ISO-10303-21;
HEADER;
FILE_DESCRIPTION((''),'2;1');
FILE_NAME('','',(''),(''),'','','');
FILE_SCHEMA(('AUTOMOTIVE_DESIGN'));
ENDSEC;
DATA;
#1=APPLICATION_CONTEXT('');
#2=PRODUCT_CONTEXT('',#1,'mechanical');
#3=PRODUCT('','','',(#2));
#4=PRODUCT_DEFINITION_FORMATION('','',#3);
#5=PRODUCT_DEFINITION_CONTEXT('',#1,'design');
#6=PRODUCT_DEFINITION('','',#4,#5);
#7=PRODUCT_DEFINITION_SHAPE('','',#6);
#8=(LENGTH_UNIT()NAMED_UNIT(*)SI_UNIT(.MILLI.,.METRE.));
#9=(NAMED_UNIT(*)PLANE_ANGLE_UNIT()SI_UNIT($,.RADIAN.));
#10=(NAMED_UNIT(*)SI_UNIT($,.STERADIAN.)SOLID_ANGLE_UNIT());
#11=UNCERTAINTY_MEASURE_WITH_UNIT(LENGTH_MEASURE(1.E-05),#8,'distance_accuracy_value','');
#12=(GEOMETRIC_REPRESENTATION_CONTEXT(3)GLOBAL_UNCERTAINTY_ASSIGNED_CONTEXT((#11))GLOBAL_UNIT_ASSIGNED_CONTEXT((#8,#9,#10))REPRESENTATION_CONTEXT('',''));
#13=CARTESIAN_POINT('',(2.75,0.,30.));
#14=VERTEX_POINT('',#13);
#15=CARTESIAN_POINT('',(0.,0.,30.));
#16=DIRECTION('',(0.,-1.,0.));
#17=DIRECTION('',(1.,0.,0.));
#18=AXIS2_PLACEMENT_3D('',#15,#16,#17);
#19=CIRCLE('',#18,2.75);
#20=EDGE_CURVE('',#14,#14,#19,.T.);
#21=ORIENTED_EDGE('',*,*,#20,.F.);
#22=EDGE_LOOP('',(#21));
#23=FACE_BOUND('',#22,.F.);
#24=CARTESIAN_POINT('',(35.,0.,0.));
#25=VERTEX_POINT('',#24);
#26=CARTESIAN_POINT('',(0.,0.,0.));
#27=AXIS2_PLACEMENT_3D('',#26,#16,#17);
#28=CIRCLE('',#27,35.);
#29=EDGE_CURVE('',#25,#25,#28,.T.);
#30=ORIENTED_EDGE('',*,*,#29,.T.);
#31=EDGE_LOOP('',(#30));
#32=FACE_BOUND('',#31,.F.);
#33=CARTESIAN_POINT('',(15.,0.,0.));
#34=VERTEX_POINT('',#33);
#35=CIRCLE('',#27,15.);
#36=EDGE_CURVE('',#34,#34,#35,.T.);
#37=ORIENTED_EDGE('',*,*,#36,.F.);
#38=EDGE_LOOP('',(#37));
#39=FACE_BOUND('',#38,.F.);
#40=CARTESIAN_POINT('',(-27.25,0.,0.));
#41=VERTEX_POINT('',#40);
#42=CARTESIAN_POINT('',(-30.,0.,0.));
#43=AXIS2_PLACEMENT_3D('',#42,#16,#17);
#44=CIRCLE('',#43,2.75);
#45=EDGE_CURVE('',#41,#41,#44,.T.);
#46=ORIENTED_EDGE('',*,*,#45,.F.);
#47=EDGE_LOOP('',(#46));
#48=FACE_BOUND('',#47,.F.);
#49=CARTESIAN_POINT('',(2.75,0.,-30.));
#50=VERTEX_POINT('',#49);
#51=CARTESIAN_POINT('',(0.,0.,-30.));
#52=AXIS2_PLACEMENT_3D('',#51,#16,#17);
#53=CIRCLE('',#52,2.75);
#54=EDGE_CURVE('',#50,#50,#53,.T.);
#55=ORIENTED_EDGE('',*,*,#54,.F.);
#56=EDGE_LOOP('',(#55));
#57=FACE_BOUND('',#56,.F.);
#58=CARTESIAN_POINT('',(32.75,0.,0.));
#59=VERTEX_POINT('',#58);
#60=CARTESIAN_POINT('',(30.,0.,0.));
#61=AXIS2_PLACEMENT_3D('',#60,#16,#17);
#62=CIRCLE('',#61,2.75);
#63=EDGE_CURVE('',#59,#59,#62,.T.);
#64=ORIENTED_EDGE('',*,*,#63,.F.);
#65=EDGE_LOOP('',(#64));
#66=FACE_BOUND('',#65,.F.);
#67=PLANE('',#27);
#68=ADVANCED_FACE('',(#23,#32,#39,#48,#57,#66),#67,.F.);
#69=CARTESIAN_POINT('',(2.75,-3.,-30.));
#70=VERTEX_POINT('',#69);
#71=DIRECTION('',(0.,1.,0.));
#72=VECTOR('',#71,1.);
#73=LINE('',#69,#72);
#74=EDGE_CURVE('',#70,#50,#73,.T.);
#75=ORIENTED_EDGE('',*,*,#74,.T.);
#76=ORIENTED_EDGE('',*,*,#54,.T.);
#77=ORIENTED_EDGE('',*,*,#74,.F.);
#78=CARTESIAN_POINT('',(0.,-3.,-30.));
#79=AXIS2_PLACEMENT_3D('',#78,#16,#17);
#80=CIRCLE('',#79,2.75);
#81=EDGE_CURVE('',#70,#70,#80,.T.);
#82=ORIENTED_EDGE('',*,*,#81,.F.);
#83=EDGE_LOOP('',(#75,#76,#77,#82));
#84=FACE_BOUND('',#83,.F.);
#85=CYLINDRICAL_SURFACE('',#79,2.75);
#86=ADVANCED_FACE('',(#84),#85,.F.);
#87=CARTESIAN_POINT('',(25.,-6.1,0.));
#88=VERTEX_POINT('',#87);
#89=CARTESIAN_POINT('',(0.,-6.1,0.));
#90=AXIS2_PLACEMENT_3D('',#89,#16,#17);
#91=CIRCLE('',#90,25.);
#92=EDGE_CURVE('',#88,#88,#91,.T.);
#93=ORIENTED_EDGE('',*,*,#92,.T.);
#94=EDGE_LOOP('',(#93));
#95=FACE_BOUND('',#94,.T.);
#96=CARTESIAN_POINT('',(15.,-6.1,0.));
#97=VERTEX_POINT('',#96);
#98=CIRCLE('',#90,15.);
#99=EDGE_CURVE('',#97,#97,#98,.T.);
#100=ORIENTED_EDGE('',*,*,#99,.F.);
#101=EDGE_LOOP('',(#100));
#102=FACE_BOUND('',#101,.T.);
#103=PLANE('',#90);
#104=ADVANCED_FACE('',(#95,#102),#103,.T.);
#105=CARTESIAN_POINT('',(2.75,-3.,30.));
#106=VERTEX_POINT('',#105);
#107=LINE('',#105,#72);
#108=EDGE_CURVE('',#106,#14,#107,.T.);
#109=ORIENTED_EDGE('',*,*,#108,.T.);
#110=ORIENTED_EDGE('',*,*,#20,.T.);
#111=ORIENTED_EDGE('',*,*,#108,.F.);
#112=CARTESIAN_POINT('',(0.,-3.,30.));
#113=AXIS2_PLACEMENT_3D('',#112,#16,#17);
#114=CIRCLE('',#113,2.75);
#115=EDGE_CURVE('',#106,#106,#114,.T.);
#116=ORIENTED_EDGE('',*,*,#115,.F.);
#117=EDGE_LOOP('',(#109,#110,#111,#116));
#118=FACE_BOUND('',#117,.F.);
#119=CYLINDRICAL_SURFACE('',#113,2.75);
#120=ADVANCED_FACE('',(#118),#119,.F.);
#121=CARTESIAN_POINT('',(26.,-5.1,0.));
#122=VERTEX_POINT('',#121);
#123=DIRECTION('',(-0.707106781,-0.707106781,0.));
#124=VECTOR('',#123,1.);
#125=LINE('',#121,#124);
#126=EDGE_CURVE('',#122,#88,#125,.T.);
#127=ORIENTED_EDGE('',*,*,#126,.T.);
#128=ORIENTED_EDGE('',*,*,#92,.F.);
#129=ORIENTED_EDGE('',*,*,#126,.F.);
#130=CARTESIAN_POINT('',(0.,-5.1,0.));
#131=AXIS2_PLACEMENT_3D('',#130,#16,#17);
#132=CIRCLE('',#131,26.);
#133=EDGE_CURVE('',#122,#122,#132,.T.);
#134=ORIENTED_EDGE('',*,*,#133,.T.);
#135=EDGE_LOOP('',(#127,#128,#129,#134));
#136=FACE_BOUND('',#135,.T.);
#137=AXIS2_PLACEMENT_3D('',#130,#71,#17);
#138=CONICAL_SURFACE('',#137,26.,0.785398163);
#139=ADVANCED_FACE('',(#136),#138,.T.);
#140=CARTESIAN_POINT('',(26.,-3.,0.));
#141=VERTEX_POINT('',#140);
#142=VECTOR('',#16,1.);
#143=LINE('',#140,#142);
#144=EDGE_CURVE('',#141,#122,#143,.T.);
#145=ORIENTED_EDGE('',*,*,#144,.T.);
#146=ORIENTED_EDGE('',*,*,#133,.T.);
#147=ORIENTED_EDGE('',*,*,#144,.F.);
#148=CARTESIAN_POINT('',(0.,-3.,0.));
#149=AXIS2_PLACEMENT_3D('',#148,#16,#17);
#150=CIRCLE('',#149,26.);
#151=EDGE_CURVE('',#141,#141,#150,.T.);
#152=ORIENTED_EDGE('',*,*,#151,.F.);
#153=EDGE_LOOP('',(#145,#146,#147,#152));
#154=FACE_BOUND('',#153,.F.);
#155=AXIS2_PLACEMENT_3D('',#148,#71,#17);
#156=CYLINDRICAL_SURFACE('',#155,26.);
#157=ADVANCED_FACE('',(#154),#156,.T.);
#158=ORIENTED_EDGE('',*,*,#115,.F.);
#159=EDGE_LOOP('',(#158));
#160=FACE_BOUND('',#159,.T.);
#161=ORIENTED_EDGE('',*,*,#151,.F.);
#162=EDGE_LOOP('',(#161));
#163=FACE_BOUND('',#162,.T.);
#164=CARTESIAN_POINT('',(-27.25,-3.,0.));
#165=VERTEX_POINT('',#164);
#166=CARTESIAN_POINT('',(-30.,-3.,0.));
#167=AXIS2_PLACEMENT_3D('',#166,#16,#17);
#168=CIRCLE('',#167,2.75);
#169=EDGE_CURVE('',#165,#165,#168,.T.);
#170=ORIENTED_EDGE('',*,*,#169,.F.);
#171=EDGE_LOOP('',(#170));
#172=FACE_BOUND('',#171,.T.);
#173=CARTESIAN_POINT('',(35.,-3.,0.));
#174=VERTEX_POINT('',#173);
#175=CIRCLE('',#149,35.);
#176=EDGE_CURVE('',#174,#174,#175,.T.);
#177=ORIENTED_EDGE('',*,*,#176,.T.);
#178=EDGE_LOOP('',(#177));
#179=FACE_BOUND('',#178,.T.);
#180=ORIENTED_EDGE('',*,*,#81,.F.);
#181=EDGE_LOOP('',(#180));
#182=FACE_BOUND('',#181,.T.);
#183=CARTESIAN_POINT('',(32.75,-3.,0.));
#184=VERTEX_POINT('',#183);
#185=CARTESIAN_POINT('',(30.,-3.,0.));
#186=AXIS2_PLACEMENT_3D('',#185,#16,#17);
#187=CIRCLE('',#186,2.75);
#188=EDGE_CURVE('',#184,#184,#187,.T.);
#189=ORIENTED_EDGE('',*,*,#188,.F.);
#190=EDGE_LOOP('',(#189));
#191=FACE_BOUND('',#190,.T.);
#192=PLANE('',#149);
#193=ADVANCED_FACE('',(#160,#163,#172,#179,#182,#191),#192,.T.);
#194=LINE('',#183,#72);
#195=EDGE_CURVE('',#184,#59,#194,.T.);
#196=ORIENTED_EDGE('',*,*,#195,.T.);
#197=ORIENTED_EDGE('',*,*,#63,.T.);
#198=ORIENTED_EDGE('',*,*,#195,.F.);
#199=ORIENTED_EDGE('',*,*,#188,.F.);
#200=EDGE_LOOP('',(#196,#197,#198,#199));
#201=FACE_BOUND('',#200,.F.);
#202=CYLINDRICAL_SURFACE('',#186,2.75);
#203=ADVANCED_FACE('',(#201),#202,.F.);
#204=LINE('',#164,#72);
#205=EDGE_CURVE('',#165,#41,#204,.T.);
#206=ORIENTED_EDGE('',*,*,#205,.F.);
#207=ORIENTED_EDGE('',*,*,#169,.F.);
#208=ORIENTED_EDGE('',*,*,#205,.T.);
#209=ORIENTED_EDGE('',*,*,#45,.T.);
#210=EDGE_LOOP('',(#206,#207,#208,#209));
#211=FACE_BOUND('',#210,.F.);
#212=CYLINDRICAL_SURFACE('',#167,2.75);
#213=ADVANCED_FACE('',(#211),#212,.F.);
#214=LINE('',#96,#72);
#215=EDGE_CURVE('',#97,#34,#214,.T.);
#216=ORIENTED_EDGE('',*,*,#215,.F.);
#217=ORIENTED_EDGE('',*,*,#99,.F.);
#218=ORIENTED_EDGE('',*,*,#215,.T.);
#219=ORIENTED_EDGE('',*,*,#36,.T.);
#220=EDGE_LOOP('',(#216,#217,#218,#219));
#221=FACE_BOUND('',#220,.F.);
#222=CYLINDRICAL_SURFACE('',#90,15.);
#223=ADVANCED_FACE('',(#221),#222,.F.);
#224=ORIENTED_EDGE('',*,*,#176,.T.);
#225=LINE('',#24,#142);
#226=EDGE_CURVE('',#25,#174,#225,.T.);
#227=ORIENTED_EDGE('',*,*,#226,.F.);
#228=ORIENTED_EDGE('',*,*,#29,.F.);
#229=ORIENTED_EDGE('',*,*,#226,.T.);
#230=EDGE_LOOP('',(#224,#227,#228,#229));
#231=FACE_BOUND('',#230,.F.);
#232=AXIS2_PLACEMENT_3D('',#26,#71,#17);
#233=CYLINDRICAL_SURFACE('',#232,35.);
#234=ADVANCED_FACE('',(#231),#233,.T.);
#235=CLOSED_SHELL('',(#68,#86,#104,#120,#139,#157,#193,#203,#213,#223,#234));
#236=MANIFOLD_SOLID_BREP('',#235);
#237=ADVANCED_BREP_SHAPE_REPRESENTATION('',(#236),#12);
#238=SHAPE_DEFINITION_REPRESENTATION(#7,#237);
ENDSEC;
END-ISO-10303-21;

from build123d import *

# Parameters (mm, degrees)
F0_R     = 35
F1_DEPTH = 3
F2_R     = 2.75
F3_DEPTH = 3
F4_R     = 26
F5_DEPTH = 3.1
F6_R     = 15
F7_DEPTH = 6.1
F8_SIZE  = 1


with BuildPart() as f1:
    # F0 (on Front) → F1 (new body)
    with BuildSketch(Plane.XZ):
        Circle(F0_R)
    extrude(amount=F1_DEPTH)

    # F2 (on face) → F3 (cut, through all)
    with BuildSketch(Plane.XZ.offset(3)):
        with Locations((30, 0)):
            Circle(F2_R)
        with Locations((0, 30)):
            Circle(F2_R)
        with Locations((-30, 0)):
            Circle(F2_R)
        with Locations((0, -30)):
            Circle(F2_R)
    extrude(amount=-F3_DEPTH, mode=Mode.SUBTRACT)

    # F4 (on face) → F5 (join)
    with BuildSketch(Plane.XZ.offset(3)):
        Circle(F4_R)
    extrude(amount=F5_DEPTH)

    # F6 (on face) → F7 (cut, through all)
    with BuildSketch(Plane.XZ.offset(6.1)):
        Circle(F6_R)
    extrude(amount=-F7_DEPTH, mode=Mode.SUBTRACT)

    # F8
    f8_edges = [f1.edges().sort_by_distance(p)[0] for p in [
        (-26, -6.1, 0),
    ]]
    chamfer(f8_edges, length=F8_SIZE)


solid = f1.part
